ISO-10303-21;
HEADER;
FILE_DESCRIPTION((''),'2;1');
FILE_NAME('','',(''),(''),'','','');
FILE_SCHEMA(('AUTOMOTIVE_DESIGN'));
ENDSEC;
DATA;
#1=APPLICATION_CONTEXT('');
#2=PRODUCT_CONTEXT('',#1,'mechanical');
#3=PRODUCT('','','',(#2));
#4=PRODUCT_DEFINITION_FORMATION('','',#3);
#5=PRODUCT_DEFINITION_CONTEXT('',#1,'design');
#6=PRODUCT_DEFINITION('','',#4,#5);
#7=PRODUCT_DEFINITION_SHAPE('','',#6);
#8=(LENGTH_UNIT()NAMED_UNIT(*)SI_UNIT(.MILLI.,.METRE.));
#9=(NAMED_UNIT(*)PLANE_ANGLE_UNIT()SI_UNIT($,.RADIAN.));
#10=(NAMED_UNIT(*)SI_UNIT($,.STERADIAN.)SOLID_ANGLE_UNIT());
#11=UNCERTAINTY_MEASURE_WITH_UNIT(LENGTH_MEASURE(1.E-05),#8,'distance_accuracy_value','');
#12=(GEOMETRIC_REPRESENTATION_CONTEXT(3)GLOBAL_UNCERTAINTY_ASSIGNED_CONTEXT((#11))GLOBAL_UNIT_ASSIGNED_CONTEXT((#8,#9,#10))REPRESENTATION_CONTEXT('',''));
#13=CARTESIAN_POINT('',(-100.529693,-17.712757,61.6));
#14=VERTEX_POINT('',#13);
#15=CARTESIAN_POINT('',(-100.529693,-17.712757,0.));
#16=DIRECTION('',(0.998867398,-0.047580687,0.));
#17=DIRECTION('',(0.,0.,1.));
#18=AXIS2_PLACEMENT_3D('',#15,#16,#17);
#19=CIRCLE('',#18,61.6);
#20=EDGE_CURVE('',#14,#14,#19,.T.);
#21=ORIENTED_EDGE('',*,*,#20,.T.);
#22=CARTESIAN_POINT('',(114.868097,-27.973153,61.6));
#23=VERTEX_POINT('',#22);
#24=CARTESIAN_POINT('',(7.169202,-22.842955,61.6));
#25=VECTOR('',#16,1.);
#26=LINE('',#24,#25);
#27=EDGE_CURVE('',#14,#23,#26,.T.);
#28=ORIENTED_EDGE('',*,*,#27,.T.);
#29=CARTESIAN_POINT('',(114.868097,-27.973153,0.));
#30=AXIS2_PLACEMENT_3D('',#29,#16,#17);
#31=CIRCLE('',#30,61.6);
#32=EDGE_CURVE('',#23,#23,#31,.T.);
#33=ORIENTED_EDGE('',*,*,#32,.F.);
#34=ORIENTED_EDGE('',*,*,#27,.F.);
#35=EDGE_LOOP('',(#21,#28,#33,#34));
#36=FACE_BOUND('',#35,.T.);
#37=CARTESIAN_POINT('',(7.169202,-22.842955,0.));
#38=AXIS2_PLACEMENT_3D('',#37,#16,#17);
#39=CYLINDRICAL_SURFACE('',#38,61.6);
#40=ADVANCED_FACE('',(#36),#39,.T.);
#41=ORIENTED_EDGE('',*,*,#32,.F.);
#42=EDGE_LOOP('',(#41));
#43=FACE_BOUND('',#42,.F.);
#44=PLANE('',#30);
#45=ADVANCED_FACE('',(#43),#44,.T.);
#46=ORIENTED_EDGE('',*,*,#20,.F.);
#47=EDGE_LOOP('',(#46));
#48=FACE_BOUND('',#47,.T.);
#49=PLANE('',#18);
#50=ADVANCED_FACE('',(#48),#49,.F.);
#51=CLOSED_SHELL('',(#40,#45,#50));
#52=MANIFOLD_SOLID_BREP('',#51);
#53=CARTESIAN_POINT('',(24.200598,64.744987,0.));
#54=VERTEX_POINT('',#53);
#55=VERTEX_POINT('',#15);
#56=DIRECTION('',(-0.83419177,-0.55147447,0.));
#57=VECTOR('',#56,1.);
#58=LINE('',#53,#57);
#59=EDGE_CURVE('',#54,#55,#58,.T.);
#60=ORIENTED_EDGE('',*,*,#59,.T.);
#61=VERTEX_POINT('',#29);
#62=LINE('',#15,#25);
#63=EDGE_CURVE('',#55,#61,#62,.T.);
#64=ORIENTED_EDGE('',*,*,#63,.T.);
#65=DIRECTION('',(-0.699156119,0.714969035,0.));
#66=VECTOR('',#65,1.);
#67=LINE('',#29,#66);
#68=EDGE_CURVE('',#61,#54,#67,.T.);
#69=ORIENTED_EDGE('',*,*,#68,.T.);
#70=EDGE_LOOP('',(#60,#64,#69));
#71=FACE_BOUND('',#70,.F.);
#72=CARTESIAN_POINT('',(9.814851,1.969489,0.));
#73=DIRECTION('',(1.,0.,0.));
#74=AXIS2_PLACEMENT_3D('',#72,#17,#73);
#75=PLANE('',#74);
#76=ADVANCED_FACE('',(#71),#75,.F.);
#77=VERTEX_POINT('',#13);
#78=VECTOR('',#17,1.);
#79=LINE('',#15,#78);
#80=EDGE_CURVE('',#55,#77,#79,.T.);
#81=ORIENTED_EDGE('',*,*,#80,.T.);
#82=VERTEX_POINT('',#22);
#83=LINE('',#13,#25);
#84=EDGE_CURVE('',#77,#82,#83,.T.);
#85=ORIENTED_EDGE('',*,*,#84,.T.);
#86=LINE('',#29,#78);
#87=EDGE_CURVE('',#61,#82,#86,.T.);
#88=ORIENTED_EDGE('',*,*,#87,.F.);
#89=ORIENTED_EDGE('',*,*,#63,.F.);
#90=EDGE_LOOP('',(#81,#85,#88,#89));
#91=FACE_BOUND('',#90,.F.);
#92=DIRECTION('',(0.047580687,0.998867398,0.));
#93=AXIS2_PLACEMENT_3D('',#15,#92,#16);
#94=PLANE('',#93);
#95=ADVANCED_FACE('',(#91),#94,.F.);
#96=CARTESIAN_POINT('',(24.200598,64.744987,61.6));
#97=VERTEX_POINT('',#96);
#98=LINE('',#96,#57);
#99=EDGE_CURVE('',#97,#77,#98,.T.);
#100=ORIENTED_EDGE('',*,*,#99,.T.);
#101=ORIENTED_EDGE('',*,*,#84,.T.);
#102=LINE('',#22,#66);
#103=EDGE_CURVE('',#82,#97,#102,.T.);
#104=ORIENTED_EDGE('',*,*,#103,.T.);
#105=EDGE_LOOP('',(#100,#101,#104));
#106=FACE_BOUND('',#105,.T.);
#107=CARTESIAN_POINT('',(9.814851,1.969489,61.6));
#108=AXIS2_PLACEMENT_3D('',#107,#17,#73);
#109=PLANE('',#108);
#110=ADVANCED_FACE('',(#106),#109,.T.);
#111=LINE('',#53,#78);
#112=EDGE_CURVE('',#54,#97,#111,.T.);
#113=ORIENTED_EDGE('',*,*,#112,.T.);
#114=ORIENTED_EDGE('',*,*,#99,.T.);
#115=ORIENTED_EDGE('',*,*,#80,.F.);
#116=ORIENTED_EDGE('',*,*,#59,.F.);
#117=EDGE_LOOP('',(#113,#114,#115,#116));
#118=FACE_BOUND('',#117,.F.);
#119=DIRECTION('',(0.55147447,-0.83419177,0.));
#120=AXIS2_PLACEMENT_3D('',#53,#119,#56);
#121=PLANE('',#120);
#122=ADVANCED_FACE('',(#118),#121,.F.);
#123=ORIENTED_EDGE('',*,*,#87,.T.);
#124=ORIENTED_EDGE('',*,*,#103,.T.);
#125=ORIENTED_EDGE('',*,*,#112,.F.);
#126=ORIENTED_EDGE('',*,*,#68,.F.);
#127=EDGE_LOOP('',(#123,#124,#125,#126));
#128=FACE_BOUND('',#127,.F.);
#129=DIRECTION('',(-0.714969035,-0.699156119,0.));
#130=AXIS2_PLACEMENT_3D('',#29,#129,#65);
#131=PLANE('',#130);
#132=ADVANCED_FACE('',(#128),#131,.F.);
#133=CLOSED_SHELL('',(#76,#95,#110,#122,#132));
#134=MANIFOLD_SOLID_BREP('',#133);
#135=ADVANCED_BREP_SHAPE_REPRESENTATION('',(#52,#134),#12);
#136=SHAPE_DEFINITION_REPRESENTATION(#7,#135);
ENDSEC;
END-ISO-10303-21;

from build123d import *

# Parameters (mm, degrees)
F1_DEPTH  = 61.6
F1_FACE_W = 215.6420267224
F1_FACE_H = 61.6


with BuildPart() as f1:
    # F0 (on Top) → F1 (new body)
    with BuildSketch(Plane.XY):
        Polygon((24.200597778, 64.7449865937), (-100.5296930671, -17.7127569914), (114.8680970073, -27.9731526971), align=None)
    extrude(amount=F1_DEPTH)


with BuildPart() as f2:
    # F1_face (on face) → F2 (revolve)
    with BuildSketch(Plane(origin=(7.1692019701, -22.8429548442, 30.8), x_dir=(0.9988673977, -0.0475806867, 0), z_dir=(-0.0475806867, -0.9988673977, 0))):
        Rectangle(F1_FACE_W, F1_FACE_H)
    revolve(axis=Axis((7.1692019701, -22.8429548442, 0), (0.9988673977, -0.0475806867, 0)))


solid = Compound([f1.part, f2.part])
